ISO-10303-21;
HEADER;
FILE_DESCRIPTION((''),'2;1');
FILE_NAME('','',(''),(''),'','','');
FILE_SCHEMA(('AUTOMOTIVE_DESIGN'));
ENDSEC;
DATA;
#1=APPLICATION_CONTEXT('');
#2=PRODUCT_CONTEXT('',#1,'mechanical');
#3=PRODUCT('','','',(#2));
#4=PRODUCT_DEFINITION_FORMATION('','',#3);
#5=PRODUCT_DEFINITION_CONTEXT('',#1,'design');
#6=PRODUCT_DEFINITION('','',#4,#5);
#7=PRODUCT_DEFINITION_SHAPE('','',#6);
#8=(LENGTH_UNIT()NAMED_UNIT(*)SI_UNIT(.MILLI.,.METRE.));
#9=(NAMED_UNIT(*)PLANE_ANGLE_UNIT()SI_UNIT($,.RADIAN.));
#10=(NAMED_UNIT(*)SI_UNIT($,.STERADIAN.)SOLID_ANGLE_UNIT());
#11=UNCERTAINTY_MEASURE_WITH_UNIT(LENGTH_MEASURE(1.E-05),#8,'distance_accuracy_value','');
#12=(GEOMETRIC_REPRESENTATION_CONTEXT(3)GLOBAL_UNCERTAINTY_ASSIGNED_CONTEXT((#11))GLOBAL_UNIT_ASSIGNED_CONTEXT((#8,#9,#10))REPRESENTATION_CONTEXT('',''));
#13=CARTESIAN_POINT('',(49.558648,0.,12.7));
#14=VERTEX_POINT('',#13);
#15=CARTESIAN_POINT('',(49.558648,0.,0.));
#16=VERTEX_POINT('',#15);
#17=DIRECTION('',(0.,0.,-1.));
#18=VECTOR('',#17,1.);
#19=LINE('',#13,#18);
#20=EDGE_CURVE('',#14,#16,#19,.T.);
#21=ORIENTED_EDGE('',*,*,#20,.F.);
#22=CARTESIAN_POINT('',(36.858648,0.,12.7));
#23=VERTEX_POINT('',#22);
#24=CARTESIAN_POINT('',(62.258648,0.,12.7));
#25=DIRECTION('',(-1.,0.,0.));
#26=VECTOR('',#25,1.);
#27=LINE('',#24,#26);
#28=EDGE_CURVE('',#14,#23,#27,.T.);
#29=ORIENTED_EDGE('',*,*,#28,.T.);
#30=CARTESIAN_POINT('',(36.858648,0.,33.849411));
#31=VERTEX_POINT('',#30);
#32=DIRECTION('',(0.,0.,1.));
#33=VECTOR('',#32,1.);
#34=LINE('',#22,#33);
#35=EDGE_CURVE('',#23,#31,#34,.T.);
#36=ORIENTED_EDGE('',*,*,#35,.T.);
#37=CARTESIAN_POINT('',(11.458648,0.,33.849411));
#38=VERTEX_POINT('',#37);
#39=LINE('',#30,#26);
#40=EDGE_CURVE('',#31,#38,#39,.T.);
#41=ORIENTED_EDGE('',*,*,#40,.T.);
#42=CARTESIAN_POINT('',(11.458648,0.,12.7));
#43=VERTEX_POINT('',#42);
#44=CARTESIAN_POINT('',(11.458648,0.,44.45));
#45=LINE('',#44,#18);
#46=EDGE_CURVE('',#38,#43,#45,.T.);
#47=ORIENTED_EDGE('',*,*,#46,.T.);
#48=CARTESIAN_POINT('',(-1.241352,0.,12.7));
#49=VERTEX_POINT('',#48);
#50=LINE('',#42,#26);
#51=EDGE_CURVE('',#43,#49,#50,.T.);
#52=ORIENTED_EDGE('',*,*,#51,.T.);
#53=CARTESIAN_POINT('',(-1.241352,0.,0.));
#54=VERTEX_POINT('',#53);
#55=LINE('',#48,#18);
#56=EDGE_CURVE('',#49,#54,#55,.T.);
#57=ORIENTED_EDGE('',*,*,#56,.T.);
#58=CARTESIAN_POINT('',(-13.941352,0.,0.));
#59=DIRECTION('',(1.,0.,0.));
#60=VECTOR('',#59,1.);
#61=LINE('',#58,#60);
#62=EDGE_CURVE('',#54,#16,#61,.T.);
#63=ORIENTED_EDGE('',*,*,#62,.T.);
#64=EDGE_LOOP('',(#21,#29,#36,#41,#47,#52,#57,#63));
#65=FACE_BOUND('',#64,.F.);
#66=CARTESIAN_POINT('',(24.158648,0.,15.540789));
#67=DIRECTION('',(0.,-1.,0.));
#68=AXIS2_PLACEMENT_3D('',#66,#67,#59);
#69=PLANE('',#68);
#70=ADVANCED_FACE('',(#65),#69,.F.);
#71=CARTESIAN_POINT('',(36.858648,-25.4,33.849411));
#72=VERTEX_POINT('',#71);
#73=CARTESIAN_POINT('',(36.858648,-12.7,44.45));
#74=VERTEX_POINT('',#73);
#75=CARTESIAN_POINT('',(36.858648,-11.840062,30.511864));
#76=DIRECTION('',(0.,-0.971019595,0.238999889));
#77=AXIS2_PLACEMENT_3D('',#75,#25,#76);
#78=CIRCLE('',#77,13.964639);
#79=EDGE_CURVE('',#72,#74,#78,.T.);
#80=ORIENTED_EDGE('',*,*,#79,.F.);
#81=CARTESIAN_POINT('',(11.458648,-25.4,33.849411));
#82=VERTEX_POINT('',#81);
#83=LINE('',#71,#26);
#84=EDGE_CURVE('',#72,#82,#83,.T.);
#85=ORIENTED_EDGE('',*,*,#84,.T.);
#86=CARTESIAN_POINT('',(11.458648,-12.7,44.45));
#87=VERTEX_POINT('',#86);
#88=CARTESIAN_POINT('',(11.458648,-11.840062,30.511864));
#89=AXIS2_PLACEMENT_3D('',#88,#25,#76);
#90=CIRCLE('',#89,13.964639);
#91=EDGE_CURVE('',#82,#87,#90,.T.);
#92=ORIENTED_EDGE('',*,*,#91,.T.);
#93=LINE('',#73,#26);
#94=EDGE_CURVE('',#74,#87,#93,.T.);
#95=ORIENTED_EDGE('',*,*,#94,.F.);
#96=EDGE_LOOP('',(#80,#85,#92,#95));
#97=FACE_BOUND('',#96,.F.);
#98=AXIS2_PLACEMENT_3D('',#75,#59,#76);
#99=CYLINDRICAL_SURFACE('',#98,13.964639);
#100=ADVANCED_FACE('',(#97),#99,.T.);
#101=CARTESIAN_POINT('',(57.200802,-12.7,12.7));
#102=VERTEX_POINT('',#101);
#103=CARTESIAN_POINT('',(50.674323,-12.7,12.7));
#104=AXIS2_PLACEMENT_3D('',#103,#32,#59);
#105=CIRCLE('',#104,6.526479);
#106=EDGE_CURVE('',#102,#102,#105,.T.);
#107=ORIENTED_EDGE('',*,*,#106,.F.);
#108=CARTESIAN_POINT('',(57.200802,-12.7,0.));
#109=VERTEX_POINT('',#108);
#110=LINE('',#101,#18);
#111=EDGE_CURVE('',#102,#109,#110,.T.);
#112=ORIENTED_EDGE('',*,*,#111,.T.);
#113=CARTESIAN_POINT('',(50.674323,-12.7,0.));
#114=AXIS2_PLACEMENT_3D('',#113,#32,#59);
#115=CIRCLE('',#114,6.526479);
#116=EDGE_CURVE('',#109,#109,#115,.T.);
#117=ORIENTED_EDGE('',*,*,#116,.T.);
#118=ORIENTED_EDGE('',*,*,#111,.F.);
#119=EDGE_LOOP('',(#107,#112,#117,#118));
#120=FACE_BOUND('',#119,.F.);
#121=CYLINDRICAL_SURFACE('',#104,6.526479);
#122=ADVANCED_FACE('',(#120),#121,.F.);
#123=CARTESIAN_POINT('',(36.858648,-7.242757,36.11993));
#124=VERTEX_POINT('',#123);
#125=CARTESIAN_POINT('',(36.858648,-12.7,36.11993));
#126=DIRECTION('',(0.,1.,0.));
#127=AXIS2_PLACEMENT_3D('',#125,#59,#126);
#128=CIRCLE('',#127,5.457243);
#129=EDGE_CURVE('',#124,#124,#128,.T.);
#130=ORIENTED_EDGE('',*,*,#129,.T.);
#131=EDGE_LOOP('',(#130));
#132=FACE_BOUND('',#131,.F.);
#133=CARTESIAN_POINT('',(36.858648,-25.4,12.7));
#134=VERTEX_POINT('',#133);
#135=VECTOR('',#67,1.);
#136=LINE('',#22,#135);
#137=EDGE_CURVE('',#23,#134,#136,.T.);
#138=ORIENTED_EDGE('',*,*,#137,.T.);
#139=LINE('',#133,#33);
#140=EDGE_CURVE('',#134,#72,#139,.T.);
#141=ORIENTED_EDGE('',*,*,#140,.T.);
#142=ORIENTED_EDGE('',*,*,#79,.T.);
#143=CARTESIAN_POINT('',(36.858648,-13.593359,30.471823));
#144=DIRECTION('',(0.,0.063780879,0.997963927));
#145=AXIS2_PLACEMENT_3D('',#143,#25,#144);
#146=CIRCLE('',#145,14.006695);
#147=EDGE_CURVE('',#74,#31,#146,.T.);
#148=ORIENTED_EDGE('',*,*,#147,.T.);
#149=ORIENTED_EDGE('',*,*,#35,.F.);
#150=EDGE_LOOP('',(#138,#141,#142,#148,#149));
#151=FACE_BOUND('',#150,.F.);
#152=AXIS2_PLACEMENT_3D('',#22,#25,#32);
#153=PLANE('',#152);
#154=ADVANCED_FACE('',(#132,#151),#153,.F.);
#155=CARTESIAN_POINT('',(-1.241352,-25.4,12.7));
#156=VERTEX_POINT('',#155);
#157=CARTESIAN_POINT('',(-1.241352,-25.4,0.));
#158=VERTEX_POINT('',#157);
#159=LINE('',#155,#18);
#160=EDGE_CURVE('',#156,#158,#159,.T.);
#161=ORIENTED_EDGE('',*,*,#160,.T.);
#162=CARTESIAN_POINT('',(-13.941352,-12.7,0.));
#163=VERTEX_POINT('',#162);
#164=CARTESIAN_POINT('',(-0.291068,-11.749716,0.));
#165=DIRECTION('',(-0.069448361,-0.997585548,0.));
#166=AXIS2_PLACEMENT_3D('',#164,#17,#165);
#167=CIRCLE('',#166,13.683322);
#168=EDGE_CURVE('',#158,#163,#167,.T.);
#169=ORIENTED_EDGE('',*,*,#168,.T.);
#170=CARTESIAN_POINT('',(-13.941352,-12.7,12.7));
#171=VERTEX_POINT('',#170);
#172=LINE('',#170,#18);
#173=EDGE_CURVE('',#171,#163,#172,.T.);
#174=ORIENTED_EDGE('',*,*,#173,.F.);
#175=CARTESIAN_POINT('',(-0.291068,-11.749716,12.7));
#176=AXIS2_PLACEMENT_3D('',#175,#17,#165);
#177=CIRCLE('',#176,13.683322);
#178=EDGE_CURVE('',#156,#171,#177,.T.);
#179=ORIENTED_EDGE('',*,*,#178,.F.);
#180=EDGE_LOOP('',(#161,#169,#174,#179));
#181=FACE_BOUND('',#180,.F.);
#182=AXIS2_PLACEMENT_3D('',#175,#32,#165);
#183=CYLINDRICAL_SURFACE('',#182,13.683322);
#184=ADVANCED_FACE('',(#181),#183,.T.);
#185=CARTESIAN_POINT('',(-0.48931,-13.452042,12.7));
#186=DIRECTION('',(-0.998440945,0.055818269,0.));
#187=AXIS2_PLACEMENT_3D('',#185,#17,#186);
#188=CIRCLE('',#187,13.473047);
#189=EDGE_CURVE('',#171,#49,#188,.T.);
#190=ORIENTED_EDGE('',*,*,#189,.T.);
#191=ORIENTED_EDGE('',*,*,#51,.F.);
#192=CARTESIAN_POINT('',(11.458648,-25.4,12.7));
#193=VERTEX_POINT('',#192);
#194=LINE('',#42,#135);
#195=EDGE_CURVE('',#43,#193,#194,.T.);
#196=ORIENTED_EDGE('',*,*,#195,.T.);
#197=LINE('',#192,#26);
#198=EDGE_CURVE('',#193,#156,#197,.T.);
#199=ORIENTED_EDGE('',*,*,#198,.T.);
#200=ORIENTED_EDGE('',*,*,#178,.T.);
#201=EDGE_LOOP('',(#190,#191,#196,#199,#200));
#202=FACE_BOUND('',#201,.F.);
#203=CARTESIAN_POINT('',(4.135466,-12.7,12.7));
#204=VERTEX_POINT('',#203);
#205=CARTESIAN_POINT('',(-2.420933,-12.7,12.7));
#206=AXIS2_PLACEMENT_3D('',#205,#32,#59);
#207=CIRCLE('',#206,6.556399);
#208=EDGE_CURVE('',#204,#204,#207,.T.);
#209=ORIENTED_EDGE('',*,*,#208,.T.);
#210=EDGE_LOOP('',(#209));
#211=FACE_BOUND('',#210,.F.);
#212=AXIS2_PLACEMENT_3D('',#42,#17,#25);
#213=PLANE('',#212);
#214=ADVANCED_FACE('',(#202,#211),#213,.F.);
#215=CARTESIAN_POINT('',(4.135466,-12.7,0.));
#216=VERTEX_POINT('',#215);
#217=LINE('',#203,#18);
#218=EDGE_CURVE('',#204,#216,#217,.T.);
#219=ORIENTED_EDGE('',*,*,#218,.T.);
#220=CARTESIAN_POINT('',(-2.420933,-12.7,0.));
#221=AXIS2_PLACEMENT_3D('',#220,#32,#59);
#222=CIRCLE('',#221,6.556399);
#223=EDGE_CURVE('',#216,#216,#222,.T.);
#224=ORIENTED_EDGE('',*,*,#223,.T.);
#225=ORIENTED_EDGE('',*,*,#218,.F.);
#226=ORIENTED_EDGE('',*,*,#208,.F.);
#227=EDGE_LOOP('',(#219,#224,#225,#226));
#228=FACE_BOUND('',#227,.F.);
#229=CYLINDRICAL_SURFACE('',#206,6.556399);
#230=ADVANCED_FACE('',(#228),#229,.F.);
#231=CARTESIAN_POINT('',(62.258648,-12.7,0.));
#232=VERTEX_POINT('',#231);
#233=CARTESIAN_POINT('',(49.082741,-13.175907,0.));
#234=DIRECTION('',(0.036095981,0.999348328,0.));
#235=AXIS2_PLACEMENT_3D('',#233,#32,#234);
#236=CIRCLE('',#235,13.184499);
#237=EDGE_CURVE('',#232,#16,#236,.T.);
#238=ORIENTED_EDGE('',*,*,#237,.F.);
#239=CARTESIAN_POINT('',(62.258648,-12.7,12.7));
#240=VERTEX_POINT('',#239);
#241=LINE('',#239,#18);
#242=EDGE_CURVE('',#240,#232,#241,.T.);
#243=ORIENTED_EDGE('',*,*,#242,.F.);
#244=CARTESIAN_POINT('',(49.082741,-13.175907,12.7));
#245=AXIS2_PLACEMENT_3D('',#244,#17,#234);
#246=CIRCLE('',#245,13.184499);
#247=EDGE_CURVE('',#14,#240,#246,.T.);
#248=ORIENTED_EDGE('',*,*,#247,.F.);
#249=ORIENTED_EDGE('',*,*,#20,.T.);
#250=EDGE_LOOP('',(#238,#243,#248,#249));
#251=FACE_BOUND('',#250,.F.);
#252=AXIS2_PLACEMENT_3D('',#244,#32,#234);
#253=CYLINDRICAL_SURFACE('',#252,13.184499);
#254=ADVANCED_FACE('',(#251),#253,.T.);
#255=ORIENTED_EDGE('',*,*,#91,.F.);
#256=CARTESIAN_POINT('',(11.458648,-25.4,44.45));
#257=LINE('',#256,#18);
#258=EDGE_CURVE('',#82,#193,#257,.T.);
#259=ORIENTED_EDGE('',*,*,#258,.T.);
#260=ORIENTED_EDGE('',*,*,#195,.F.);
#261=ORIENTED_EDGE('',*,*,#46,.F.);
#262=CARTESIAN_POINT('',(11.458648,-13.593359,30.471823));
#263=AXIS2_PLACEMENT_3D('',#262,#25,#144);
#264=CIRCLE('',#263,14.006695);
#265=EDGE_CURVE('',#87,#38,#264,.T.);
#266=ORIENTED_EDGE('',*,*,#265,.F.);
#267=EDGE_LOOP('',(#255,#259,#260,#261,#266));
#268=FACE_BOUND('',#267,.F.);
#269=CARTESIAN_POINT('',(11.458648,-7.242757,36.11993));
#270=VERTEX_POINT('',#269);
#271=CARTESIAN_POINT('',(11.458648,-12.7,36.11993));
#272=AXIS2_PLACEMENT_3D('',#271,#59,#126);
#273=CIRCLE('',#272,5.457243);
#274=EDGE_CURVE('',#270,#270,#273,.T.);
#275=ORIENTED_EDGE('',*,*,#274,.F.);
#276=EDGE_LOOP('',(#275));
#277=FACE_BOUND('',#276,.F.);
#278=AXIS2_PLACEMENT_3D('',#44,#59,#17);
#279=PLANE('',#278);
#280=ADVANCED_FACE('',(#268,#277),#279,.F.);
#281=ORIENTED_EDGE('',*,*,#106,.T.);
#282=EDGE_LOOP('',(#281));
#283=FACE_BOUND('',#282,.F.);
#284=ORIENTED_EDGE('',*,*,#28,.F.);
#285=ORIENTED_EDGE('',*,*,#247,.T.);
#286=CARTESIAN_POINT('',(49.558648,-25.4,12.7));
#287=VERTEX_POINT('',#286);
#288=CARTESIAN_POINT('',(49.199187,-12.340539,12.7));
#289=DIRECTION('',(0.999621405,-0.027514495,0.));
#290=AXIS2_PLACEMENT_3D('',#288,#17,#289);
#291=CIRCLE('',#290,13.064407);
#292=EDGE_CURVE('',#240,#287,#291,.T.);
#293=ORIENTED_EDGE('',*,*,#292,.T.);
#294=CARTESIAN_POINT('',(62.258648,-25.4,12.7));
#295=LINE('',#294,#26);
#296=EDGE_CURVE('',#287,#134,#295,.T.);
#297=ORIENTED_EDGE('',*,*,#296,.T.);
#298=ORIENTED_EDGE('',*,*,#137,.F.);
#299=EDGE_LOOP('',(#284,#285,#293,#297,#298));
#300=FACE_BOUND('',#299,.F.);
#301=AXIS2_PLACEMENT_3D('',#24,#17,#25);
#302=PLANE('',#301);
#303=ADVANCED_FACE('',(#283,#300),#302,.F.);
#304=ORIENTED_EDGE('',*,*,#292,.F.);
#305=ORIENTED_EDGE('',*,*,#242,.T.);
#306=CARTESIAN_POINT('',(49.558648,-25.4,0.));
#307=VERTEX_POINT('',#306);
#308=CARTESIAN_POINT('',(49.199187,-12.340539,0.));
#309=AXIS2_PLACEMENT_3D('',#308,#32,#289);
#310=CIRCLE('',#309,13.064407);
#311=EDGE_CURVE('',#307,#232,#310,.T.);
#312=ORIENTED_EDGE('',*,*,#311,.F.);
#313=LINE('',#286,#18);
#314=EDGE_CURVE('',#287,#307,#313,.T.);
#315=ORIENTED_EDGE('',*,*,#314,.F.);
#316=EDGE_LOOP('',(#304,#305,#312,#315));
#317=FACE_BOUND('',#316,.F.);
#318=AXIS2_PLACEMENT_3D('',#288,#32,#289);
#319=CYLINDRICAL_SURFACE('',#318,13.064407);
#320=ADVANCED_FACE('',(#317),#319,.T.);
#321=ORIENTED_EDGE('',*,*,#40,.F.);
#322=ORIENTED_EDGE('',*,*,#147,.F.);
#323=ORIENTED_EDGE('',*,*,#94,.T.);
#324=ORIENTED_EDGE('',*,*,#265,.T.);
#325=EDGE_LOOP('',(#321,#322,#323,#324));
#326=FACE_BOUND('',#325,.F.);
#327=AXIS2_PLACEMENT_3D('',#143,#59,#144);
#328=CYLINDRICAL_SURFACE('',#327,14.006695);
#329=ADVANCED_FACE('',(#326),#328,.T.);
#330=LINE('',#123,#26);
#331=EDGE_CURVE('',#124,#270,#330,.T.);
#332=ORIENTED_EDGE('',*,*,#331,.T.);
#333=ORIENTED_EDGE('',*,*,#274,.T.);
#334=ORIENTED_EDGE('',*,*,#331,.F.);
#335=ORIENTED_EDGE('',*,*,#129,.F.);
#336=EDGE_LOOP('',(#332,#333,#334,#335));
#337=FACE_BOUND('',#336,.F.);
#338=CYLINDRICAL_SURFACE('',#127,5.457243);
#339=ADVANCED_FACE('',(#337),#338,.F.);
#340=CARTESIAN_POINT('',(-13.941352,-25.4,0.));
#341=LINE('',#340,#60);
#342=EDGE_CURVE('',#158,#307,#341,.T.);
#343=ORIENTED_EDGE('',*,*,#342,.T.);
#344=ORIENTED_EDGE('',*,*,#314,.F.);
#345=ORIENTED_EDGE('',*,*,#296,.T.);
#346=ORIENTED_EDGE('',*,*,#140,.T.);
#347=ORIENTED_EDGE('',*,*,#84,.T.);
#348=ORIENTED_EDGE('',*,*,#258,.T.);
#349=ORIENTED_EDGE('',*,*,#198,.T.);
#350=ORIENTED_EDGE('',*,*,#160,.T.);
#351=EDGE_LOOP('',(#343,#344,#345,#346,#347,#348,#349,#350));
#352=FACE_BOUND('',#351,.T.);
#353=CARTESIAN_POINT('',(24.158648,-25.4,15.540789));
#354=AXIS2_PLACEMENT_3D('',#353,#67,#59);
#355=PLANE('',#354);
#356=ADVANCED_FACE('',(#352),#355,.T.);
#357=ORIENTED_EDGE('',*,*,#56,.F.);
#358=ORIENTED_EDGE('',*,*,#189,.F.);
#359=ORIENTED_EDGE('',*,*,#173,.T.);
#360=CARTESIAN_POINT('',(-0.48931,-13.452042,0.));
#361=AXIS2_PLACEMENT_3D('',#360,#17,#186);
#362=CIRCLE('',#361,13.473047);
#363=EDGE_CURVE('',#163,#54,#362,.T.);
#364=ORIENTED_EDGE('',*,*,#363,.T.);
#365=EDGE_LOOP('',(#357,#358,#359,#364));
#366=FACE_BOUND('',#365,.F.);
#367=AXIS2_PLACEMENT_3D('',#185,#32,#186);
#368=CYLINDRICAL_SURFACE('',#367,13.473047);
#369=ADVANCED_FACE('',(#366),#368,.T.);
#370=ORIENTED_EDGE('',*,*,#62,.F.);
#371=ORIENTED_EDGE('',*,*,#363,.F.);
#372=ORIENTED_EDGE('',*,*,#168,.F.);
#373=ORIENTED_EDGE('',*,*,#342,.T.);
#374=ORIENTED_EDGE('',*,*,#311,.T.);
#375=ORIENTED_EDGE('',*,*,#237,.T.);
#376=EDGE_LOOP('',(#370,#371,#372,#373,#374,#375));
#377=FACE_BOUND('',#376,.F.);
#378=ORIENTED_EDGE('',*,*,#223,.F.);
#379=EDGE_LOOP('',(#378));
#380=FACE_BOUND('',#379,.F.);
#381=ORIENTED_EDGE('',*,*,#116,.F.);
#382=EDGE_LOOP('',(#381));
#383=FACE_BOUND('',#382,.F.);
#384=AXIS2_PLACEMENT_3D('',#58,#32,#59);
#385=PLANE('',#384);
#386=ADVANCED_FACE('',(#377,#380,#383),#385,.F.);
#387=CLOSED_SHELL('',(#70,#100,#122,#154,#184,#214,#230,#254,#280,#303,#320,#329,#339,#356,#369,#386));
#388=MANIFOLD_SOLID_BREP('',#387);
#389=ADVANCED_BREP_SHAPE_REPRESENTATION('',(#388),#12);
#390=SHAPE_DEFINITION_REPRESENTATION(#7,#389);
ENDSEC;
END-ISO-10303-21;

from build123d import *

# Parameters (mm, degrees)
F1_DEPTH = 25.4
F3_DEPTH = 25.4
F4_R     = 5.457243
F5_DEPTH = 25.4
F6_R     = 6.556399
F7_DEPTH = 12.7
F8_R     = 6.526479
F9_DEPTH = 25.4


with BuildPart() as f1:
    # F0 (on Front) → F1 (new body)
    with BuildSketch(Plane.XZ):
        Polygon((-13.941352, 12.7), (-13.941352, 0), (62.258648, 0), (62.258648, 12.7), (36.858648, 12.7), (36.858648, 44.45), (11.458648, 44.45), (11.458648, 12.7), align=None)
    extrude(amount=F1_DEPTH)

    # F2 (on face) → F3 (cut)
    with BuildSketch(Plane.YZ.offset(36.858648)):
        with BuildLine():
            ThreePointArc((-25.4, 33.849411), (-20.7886, 41.232629), (-12.7, 44.45))
            Line((-12.7, 44.45), (-25.4, 44.45))
            Line((-25.4, 44.45), (-25.4, 33.849411))
        make_face()
        with BuildLine():
            Line((0, 44.45), (-12.7, 44.45))
            ThreePointArc((-12.7, 44.45), (-4.617872, 41.224876), (0, 33.849411))
            Line((0, 33.849411), (0, 44.45))
        make_face()
    extrude(amount=-F3_DEPTH, mode=Mode.SUBTRACT)

    # F4 (on face) → F5 (cut)
    with BuildSketch(Plane.YZ.offset(36.858648)):
        with Locations((-12.7, 36.11993)):
            Circle(F4_R)
    extrude(amount=-F5_DEPTH, mode=Mode.SUBTRACT)

    # F6 (on face) → F7 (cut)
    with BuildSketch(Plane.XY.offset(12.7)):
        with BuildLine():
            Line((-13.941352, 0), (-13.941352, -12.7))
            ThreePointArc((-13.941352, -12.7), (-10.016193, -3.925159), (-1.241352, 0))
            Line((-1.241352, 0), (-13.941352, 0))
        make_face()
        with BuildLine():
            ThreePointArc((-1.241352, -25.4), (-9.966637, -21.425286), (-13.941352, -12.7))
            Line((-13.941352, -12.7), (-13.941352, -25.4))
            Line((-13.941352, -25.4), (-1.241352, -25.4))
        make_face()
        with Locations((-2.420933, -12.7)):
            Circle(F6_R)
    extrude(amount=-F7_DEPTH, mode=Mode.SUBTRACT)

    # F8 (on face) → F9 (cut)
    with BuildSketch(Plane.XY.offset(12.7)):
        with Locations((50.674323, -12.7)):
            Circle(F8_R)
        with BuildLine():
            ThreePointArc((49.558648, 0), (58.40559, -3.853059), (62.258648, -12.7))
            Line((62.258648, -12.7), (62.258648, 0))
            Line((62.258648, 0), (49.558648, 0))
        make_face()
        with BuildLine():
            Line((62.258648, -25.4), (62.258648, -12.7))
            ThreePointArc((62.258648, -12.7), (58.437118, -21.57847), (49.558648, -25.4))
            Line((49.558648, -25.4), (62.258648, -25.4))
        make_face()
    extrude(amount=-F9_DEPTH, mode=Mode.SUBTRACT)


solid = f1.part
